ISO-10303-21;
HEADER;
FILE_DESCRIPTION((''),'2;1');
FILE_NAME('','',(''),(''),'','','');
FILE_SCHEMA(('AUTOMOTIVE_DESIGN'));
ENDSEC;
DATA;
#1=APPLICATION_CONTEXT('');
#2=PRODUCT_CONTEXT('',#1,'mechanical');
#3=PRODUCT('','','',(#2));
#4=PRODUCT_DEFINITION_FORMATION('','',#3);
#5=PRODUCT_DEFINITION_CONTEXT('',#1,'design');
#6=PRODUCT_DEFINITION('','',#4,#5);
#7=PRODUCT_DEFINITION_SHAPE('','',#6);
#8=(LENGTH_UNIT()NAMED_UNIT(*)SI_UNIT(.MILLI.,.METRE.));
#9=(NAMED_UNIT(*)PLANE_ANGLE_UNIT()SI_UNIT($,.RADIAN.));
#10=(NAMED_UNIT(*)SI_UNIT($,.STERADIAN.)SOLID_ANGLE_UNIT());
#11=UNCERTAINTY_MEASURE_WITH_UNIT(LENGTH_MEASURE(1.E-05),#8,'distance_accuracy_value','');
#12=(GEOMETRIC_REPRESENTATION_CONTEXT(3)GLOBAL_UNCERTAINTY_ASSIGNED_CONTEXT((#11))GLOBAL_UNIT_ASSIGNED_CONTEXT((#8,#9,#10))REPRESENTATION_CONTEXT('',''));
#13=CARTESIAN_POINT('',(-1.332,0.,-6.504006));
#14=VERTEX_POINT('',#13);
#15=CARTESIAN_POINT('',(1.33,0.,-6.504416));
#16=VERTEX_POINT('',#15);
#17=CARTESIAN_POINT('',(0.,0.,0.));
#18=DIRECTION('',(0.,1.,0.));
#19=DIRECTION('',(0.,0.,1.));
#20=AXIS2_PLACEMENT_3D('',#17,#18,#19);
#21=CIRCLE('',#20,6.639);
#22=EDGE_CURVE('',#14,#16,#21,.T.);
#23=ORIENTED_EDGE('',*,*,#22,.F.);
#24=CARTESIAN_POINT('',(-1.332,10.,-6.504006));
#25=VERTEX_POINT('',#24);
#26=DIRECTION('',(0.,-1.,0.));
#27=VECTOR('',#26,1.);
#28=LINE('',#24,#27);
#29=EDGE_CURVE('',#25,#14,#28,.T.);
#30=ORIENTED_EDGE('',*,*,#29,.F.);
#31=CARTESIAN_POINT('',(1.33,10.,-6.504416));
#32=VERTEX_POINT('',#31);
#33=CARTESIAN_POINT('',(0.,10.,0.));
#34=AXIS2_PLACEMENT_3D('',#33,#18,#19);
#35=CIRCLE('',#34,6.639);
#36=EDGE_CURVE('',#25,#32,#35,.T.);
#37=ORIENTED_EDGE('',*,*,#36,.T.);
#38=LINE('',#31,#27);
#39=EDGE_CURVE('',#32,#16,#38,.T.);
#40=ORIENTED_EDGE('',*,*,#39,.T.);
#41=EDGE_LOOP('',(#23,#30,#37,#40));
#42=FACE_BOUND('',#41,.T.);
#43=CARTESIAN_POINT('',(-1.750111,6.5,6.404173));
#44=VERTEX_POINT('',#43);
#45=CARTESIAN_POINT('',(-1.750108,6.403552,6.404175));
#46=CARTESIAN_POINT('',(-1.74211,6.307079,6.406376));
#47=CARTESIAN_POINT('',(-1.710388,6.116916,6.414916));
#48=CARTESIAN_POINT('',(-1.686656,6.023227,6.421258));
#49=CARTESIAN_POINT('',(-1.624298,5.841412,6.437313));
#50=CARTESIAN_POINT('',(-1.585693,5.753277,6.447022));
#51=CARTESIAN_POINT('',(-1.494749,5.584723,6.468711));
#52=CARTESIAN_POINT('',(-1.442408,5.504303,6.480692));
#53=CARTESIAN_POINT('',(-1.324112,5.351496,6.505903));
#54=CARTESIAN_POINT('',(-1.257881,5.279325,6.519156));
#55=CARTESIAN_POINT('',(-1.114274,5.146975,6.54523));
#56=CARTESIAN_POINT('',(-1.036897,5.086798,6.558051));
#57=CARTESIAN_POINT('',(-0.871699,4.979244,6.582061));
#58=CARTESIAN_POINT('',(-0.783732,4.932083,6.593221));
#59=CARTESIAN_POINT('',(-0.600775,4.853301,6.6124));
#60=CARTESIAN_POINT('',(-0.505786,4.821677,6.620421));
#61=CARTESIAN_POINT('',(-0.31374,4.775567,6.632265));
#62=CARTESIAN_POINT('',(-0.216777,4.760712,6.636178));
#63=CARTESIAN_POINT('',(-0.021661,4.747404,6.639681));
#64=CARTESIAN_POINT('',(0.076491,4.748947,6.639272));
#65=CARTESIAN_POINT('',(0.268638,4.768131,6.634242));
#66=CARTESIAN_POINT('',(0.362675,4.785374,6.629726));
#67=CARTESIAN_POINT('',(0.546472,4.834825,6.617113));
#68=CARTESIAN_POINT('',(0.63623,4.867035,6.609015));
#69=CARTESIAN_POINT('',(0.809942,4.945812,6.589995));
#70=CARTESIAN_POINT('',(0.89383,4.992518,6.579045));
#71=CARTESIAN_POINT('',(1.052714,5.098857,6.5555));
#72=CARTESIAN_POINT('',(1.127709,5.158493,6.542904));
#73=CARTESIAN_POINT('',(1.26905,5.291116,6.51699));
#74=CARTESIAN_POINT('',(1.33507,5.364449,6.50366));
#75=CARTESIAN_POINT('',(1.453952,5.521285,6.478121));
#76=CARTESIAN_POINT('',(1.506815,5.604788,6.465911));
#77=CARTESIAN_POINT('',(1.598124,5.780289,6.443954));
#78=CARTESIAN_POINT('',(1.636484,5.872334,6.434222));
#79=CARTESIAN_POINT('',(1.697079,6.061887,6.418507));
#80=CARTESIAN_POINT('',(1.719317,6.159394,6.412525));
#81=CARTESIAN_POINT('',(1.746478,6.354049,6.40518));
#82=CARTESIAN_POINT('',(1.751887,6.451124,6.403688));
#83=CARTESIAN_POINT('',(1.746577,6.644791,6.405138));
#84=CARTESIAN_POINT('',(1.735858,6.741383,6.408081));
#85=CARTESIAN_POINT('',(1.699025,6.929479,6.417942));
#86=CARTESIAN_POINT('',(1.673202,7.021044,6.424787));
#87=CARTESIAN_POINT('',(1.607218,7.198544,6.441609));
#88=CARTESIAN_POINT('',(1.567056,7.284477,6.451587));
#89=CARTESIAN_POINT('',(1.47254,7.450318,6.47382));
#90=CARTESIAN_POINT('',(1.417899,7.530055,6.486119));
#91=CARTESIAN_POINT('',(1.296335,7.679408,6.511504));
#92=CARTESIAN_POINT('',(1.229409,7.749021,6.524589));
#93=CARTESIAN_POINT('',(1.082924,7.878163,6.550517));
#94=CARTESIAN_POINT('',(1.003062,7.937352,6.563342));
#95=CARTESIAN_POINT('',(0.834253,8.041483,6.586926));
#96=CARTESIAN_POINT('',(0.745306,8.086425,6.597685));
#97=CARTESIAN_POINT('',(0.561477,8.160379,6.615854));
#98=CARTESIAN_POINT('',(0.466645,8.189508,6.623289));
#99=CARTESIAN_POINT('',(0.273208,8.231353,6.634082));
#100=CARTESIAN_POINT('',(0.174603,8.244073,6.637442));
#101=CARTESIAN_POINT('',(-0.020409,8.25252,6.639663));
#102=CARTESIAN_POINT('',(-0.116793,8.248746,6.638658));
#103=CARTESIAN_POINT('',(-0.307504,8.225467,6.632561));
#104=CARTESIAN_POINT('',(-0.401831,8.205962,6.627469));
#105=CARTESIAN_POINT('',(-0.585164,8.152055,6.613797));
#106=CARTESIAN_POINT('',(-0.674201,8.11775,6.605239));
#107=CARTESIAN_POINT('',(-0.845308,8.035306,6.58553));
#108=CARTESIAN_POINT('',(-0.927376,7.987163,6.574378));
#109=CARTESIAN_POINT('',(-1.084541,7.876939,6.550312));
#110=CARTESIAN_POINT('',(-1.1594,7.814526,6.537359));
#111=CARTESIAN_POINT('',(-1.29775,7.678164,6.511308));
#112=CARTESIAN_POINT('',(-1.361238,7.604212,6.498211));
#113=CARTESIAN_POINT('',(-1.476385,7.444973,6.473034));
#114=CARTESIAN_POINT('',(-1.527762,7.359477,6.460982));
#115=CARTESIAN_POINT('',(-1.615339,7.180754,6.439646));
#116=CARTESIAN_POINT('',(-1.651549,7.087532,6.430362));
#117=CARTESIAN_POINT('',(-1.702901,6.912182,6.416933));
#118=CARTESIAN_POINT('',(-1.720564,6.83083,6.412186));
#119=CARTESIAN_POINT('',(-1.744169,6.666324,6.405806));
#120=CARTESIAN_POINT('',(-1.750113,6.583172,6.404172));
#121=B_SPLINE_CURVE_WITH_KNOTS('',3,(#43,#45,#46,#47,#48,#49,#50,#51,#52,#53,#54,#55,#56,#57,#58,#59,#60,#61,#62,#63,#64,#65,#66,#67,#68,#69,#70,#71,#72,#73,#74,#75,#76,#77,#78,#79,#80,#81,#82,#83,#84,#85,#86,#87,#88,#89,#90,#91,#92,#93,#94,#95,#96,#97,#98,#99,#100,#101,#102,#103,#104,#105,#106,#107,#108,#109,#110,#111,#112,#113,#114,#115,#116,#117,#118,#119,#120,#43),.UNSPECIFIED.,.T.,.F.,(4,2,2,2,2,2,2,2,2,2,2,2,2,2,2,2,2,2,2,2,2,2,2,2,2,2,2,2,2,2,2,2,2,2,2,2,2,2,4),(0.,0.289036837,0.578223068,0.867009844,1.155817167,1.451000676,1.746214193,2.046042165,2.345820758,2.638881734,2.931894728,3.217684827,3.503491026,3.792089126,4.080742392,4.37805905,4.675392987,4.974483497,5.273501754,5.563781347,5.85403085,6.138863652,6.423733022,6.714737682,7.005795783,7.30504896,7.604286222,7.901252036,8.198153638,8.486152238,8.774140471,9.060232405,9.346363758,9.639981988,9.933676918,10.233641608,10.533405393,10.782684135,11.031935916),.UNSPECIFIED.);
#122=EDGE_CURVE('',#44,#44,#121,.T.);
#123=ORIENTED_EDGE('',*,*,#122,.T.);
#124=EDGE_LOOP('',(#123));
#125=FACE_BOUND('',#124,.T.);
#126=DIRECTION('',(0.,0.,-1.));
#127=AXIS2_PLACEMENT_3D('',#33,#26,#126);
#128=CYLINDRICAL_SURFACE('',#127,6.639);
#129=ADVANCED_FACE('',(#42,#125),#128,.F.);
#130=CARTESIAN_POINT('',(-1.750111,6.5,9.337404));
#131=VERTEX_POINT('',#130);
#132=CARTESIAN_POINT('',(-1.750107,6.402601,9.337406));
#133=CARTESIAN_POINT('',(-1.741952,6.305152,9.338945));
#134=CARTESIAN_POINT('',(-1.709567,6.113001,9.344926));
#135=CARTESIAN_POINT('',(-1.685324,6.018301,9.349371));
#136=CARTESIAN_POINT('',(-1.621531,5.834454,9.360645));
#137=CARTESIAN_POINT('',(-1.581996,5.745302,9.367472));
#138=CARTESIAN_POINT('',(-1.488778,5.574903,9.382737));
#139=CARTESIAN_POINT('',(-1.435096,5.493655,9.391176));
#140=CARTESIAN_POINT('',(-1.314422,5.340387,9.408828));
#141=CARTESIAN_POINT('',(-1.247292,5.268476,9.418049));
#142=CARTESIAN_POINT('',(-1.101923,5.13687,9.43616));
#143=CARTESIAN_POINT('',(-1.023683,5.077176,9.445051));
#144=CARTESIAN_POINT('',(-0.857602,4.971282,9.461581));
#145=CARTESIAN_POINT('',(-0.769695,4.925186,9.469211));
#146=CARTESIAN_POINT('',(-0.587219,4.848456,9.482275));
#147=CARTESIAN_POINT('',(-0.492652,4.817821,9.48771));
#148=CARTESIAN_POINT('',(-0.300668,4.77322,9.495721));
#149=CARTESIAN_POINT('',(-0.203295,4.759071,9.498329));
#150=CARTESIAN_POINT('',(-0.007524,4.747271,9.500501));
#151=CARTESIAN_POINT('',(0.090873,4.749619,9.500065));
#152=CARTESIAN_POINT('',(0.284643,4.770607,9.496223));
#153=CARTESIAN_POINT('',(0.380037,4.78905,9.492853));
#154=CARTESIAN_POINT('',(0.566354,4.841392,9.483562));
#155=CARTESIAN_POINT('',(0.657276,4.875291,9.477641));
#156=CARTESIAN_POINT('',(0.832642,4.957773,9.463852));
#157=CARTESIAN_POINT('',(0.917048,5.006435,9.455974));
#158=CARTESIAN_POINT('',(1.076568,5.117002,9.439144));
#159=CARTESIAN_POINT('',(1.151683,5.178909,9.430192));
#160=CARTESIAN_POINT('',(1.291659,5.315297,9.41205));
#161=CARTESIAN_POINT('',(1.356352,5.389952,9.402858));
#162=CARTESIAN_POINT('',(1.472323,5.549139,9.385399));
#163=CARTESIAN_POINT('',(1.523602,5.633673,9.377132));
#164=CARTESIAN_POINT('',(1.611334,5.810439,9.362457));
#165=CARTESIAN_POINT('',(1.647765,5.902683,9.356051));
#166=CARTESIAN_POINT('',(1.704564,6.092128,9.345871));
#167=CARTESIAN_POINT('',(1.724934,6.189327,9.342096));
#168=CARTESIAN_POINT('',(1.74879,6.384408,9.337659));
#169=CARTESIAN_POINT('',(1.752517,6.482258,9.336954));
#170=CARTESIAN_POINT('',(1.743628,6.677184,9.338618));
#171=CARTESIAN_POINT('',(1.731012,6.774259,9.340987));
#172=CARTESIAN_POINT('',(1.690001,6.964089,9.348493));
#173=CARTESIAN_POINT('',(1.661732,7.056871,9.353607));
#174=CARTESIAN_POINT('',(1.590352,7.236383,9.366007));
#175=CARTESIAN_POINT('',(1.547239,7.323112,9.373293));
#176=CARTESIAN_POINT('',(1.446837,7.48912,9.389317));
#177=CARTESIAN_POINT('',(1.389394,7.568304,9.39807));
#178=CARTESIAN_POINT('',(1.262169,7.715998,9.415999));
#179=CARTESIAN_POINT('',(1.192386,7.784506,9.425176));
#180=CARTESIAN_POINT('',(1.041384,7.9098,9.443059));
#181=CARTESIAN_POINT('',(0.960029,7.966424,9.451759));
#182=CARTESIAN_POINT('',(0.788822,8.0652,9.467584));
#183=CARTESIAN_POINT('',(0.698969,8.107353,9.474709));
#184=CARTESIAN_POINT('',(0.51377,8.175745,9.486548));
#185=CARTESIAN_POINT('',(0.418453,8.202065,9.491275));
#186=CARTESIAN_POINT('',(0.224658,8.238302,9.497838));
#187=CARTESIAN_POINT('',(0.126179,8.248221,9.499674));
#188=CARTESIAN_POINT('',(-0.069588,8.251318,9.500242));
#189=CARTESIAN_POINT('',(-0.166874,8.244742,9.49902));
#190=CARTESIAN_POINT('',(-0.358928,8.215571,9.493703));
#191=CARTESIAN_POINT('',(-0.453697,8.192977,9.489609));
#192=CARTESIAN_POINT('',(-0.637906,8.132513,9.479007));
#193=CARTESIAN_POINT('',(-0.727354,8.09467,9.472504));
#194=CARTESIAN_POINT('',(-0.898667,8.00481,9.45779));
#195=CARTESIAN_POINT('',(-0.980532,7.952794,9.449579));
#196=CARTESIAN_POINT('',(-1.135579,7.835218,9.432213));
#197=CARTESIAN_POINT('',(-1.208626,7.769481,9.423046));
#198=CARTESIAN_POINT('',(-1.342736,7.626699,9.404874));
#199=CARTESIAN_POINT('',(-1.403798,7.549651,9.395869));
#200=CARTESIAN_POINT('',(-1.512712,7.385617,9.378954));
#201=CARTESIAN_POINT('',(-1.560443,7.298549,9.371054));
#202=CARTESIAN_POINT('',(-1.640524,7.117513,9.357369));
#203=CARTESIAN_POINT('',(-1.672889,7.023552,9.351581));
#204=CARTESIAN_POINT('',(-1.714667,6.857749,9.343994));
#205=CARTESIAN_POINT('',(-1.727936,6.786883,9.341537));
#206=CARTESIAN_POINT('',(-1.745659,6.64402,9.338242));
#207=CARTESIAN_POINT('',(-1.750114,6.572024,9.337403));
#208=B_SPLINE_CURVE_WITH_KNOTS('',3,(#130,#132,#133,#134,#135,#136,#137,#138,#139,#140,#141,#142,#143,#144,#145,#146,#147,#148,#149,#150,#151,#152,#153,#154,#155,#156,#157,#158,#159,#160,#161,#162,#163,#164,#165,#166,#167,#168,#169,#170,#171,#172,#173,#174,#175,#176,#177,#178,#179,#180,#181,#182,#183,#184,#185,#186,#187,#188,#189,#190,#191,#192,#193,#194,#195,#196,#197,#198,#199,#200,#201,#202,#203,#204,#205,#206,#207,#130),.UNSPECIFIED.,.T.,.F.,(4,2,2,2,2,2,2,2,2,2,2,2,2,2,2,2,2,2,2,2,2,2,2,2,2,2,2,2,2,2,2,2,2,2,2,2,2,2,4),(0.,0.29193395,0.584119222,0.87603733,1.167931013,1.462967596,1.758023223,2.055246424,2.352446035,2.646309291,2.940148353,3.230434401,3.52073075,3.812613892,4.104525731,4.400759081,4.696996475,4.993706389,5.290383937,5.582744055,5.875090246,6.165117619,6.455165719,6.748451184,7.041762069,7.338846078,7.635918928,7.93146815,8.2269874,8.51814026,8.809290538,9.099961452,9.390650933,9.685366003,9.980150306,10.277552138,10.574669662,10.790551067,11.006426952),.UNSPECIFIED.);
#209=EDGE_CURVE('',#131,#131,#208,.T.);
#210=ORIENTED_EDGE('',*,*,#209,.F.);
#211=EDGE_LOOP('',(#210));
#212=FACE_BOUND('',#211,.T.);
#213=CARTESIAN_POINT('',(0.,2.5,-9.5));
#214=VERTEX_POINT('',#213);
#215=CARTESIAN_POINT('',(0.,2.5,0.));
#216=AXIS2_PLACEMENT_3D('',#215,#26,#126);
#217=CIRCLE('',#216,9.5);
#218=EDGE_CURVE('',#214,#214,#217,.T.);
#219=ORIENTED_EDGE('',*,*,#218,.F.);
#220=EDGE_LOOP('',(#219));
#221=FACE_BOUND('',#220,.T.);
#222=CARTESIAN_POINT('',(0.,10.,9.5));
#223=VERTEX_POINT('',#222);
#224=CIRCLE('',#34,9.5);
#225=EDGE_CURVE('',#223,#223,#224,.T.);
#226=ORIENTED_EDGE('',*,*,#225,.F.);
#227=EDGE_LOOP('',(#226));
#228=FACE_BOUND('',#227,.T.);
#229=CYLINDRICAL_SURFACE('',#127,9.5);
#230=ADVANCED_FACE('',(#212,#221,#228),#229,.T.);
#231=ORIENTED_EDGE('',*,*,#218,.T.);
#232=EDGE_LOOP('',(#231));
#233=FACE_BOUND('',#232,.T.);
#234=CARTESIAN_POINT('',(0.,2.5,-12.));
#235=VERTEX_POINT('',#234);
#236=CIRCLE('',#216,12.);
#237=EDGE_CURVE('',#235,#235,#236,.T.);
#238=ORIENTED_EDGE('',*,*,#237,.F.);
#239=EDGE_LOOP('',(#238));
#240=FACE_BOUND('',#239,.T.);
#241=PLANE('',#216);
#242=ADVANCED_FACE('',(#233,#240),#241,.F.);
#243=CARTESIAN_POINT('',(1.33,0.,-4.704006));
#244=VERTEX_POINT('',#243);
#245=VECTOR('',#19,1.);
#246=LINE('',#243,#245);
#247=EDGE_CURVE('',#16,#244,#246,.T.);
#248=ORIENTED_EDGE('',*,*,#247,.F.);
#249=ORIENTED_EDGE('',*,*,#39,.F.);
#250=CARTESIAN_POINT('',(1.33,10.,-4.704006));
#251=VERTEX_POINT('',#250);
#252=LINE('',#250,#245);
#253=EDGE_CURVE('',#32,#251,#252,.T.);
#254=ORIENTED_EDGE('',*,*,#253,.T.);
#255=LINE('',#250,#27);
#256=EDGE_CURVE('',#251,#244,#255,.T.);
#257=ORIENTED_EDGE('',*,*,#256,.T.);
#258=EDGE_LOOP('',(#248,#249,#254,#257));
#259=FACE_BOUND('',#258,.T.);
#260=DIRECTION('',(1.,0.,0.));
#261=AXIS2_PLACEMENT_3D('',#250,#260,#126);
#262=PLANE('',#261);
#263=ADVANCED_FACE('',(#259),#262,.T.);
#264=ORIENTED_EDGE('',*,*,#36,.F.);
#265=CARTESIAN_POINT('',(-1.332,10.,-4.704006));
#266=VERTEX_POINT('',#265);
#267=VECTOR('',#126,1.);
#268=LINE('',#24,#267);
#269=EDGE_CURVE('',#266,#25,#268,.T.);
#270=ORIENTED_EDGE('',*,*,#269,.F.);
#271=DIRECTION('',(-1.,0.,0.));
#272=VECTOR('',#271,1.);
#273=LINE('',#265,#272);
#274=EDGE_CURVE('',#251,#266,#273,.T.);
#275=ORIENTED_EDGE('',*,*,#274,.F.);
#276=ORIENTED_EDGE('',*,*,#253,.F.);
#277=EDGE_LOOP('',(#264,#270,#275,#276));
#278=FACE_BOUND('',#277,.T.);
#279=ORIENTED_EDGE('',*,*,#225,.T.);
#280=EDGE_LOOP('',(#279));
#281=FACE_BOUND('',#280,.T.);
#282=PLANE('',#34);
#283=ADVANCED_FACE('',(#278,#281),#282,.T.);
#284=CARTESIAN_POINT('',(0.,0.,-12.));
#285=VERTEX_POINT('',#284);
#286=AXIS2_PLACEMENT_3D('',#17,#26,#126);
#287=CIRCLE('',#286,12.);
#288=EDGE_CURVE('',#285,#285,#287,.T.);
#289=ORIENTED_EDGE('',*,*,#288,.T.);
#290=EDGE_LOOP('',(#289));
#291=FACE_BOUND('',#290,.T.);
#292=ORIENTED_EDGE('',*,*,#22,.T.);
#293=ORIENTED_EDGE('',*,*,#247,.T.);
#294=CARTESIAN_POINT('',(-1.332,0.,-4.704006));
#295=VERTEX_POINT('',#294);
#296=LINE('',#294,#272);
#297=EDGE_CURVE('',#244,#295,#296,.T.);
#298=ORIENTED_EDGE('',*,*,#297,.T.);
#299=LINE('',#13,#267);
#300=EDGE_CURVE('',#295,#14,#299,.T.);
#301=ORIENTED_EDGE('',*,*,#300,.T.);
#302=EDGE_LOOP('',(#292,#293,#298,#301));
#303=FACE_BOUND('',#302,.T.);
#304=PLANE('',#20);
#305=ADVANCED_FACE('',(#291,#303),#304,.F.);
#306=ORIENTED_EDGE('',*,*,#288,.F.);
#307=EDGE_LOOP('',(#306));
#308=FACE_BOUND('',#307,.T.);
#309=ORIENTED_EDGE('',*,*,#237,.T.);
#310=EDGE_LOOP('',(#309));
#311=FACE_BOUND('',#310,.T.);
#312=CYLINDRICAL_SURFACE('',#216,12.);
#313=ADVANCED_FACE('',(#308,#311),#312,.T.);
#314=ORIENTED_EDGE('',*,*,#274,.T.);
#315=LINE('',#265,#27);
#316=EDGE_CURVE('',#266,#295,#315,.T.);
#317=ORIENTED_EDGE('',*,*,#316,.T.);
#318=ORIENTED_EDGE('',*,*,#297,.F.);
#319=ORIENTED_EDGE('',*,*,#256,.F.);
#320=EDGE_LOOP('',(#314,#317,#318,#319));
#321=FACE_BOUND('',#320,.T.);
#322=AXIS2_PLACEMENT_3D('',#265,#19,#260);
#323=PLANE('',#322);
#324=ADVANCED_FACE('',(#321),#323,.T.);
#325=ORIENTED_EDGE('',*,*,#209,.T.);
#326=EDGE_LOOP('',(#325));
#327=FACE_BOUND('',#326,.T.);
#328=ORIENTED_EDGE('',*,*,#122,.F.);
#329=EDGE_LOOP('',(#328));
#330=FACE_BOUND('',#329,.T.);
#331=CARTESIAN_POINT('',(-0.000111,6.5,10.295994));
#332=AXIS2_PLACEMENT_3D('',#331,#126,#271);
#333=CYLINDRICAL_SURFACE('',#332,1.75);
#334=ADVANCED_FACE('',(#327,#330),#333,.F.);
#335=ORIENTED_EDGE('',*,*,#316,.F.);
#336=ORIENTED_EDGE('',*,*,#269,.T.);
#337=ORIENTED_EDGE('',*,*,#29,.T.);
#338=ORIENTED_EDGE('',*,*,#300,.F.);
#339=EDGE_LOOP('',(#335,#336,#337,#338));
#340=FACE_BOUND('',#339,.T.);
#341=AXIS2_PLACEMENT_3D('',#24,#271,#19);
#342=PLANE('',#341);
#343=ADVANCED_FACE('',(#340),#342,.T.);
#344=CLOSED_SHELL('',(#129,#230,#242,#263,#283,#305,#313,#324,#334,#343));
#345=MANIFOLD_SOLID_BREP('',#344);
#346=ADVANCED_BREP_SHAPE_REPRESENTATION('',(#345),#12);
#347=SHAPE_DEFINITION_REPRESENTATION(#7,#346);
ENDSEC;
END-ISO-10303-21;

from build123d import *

# Parameters (mm, degrees)
SKETCH1_R           = 9.5
BOSS_EXTRUDE1_DEPTH = 10
SKETCH2_R           = 12
BOSS_EXTRUDE2_DEPTH = 2.5
CUT_EXTRUDE2_DEPTH  = 2.5
SKETCH5_R           = 1.75
CUT_EXTRUDE3_DEPTH  = 15


with BuildPart() as part:
    # Sketch1 → Boss-Extrude1 (new body)
    with BuildSketch(Plane(origin=(0, 0, 0), x_dir=(1, 0, 0), z_dir=(0, 1, 0))):
        Circle(SKETCH1_R)
        with BuildLine():
            Line((-1.332, 6.504006227), (-1.332, 4.704006227))
            Line((-1.332, 4.704006227), (1.33, 4.704006227))
            Line((1.33, 4.704006227), (1.33, 6.5044155))
            ThreePointArc((1.33, 6.5044155), (0.001020723, -6.638999922), (-1.332, 6.504006227))
        make_face(mode=Mode.SUBTRACT)
    extrude(amount=BOSS_EXTRUDE1_DEPTH)

    # Sketch2 → Boss-Extrude2 (add)
    with BuildSketch(Plane.XZ):
        Circle(SKETCH2_R)
    extrude(amount=-BOSS_EXTRUDE2_DEPTH)

    # Sketch4 → Cut-Extrude2 (cut)
    with BuildSketch(Plane(origin=(0, 2.5, 0), x_dir=(1, 0, 0), z_dir=(0, 1, 0))):
        with BuildLine():
            Line((-1.332, 4.704006227), (1.33, 4.704006227))
            Line((1.33, 4.704006227), (1.33, 6.5044155))
            ThreePointArc((1.33, 6.5044155), (0.001020723, -6.638999922), (-1.332, 6.504006227))
            Line((-1.332, 6.504006227), (-1.332, 4.704006227))
        make_face()
    extrude(amount=-CUT_EXTRUDE2_DEPTH, mode=Mode.SUBTRACT)

    # Sketch5 → Cut-Extrude3 (cut)
    with BuildSketch(Plane.XY.offset(-4.704006227)):
        with Locations((-0.000110737, 6.499999939)):
            Circle(SKETCH5_R)
    extrude(amount=CUT_EXTRUDE3_DEPTH, mode=Mode.SUBTRACT)


solid = part.part
